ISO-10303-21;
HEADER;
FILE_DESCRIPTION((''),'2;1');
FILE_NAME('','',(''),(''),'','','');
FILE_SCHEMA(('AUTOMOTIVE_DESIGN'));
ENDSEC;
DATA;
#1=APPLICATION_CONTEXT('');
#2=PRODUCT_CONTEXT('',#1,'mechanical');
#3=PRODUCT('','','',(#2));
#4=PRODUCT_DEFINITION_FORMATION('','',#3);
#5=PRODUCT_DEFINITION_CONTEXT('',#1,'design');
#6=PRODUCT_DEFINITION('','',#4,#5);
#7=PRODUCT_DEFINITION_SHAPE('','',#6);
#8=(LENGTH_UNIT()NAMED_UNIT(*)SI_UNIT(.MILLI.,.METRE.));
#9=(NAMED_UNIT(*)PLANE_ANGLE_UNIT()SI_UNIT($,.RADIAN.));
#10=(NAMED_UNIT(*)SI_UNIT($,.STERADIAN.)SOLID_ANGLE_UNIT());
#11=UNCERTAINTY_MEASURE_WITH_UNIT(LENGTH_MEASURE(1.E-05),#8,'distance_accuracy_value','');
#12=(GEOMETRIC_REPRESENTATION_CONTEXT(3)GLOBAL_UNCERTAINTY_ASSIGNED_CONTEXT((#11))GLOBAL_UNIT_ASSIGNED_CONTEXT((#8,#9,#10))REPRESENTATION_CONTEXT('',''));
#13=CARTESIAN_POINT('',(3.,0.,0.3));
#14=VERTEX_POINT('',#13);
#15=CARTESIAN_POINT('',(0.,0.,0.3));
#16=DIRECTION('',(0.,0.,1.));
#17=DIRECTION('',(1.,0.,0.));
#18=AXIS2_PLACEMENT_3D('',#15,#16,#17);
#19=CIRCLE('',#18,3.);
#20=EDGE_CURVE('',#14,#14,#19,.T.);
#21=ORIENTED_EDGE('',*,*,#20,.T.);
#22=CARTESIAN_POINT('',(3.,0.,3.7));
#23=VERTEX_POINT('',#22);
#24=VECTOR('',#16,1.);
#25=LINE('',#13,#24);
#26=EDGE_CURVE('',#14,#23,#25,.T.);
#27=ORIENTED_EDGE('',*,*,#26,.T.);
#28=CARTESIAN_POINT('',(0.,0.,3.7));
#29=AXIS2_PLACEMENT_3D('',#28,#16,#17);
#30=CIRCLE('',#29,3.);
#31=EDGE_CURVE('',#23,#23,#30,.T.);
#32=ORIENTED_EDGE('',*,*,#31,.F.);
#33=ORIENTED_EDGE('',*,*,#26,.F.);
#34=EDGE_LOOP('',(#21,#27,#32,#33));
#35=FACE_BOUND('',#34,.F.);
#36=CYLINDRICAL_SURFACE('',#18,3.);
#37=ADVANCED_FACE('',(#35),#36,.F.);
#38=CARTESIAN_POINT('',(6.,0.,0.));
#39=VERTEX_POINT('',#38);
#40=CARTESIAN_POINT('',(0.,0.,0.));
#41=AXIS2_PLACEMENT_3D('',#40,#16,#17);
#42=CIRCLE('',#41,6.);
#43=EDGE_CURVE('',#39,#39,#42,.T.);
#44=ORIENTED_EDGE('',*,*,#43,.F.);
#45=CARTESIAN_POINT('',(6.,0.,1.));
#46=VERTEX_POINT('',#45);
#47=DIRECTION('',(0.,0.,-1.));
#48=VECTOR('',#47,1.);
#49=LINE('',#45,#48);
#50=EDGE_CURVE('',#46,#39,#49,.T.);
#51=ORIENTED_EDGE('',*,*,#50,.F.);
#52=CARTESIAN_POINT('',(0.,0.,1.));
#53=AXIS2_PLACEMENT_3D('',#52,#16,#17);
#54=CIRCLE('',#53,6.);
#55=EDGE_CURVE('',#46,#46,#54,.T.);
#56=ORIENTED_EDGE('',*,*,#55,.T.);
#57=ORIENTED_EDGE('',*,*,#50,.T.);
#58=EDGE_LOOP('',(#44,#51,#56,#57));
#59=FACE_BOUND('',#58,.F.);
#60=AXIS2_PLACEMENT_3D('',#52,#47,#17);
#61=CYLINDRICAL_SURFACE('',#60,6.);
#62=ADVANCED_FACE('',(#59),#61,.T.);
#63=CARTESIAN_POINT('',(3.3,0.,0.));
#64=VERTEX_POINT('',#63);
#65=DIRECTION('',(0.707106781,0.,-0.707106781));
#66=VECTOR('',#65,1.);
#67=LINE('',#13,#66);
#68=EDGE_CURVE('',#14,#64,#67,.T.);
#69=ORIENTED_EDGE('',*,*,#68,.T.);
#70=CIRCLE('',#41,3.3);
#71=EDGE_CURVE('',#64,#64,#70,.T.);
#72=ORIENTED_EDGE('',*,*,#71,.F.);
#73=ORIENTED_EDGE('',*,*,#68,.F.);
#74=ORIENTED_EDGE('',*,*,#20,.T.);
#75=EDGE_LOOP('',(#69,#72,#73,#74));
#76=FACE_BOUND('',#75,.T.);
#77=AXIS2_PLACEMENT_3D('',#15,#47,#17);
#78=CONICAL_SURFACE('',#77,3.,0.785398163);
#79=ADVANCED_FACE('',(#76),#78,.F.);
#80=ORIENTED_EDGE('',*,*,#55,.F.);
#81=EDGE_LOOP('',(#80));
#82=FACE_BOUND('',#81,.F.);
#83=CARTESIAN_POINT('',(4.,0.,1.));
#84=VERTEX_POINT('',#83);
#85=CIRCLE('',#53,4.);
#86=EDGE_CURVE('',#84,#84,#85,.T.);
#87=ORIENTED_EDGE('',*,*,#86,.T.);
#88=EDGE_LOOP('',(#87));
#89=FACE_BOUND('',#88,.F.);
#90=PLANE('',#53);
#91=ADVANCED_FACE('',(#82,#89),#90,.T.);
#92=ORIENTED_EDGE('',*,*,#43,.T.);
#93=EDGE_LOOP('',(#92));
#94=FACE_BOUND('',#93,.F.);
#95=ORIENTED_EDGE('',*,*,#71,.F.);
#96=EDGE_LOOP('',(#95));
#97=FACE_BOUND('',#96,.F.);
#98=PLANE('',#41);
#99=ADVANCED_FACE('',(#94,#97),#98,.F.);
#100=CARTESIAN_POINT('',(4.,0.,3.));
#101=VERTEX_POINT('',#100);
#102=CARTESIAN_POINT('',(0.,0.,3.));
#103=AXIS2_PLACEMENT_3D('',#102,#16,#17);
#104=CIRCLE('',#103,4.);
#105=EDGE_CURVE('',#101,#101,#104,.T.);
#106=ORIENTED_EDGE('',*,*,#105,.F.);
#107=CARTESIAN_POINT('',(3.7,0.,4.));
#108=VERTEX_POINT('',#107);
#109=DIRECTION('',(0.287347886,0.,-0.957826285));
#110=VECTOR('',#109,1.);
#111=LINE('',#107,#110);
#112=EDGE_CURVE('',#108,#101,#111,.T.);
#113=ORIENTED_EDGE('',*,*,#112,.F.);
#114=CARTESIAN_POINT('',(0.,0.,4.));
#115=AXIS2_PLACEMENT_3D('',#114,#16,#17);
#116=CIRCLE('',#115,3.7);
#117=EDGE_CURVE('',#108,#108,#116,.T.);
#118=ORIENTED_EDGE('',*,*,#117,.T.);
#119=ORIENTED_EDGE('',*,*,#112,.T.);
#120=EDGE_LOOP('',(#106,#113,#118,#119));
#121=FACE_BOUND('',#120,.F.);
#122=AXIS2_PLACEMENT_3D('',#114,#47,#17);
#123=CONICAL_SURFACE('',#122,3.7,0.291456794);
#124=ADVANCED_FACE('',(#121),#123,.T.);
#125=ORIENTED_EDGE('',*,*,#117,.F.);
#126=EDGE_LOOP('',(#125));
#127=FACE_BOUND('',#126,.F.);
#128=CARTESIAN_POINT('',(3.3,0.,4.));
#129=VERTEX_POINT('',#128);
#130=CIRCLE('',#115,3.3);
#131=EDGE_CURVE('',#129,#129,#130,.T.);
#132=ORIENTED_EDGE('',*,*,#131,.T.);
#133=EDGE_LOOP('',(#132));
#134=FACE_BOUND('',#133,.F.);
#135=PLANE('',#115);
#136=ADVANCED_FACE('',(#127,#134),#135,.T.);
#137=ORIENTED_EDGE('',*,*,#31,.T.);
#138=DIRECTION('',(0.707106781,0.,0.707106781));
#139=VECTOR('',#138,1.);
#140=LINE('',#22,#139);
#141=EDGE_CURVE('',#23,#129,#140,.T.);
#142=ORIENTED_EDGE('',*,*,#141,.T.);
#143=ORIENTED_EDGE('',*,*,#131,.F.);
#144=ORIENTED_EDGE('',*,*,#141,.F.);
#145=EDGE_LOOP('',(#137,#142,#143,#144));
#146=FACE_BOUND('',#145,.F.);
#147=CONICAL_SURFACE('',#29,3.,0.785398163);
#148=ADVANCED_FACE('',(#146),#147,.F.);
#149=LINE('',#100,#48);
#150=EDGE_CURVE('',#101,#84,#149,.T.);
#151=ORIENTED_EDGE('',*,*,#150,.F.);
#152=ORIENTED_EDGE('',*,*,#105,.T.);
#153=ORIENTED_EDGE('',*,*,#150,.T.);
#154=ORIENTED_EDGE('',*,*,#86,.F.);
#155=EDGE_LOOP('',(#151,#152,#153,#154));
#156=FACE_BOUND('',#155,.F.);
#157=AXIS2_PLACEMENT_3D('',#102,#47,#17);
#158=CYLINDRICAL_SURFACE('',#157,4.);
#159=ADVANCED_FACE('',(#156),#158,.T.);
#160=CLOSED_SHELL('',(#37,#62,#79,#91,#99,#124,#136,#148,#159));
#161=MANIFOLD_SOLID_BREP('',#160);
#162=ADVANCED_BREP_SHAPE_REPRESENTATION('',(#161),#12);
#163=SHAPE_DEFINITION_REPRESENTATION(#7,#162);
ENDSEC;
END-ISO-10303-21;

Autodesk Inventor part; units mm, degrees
ref_plane "YZ Plane" through (0, 0, 0) normal (1, 0, 0) x (0, 1, 0)
ref_plane "XZ Plane" through (0, 0, 0) normal (0, 1, 0) x (-1, 0, 0)
ref_plane "XY Plane" through (0, 0, 0) normal (0, 0, 1) x (1, 0, 0)
sketch "スケッチ1" plane through (0, 0, 0) normal (0, 1, 0) x (-1, 0, 0)
  line L0 (-3, 0.3) -> (-3, 3.7)
  line L1 (-3.3, 4) -> (-3.7, 4)
  line L2 (-4, 3) -> (-4, 1)
  line L3 (-4, 1) -> (-6, 1)
  line L4 (-6, 1) -> (-6, 0)
  line L5 (-6, 0) -> (-3.3, 0)
  line L6 (-3, 3.7) -> (-3.3, 4)
  line L7 (-3, 0.3) -> (-3.3, 0)
  line L8 (-3.7, 4) -> (-4, 3)
  line L9 (0, -0.8) -> (0, 4.8) projected
  point P0 (0, 0)
  point P1 (-3, 0)
  point P2 (-3, 4)
  point P3 (-4, 4)
  dimension "d2" = 1
  dimension "d9" = 1
  dimension "d11" = 6
  dimension "d12" = 8
  dimension "d13" = 12
  dimension "d14" = 0.3
  dimension "d15" = 0.3
  dimension "d16" = 0.3
  dimension "d17" = 0.3
  dimension "d18" = 0.3
  dimension "d19" = 4
revolve "回転1" add sketch "スケッチ1" angle 360 about axis through (0, 0, -10) along (0, 0, 1)
equation "\"d15\" = d14"
equation "\"d16\" = d14"
equation "\"d17\" = d16"
equation "\"d18\" = d14"
properties part number "80F-0603"
